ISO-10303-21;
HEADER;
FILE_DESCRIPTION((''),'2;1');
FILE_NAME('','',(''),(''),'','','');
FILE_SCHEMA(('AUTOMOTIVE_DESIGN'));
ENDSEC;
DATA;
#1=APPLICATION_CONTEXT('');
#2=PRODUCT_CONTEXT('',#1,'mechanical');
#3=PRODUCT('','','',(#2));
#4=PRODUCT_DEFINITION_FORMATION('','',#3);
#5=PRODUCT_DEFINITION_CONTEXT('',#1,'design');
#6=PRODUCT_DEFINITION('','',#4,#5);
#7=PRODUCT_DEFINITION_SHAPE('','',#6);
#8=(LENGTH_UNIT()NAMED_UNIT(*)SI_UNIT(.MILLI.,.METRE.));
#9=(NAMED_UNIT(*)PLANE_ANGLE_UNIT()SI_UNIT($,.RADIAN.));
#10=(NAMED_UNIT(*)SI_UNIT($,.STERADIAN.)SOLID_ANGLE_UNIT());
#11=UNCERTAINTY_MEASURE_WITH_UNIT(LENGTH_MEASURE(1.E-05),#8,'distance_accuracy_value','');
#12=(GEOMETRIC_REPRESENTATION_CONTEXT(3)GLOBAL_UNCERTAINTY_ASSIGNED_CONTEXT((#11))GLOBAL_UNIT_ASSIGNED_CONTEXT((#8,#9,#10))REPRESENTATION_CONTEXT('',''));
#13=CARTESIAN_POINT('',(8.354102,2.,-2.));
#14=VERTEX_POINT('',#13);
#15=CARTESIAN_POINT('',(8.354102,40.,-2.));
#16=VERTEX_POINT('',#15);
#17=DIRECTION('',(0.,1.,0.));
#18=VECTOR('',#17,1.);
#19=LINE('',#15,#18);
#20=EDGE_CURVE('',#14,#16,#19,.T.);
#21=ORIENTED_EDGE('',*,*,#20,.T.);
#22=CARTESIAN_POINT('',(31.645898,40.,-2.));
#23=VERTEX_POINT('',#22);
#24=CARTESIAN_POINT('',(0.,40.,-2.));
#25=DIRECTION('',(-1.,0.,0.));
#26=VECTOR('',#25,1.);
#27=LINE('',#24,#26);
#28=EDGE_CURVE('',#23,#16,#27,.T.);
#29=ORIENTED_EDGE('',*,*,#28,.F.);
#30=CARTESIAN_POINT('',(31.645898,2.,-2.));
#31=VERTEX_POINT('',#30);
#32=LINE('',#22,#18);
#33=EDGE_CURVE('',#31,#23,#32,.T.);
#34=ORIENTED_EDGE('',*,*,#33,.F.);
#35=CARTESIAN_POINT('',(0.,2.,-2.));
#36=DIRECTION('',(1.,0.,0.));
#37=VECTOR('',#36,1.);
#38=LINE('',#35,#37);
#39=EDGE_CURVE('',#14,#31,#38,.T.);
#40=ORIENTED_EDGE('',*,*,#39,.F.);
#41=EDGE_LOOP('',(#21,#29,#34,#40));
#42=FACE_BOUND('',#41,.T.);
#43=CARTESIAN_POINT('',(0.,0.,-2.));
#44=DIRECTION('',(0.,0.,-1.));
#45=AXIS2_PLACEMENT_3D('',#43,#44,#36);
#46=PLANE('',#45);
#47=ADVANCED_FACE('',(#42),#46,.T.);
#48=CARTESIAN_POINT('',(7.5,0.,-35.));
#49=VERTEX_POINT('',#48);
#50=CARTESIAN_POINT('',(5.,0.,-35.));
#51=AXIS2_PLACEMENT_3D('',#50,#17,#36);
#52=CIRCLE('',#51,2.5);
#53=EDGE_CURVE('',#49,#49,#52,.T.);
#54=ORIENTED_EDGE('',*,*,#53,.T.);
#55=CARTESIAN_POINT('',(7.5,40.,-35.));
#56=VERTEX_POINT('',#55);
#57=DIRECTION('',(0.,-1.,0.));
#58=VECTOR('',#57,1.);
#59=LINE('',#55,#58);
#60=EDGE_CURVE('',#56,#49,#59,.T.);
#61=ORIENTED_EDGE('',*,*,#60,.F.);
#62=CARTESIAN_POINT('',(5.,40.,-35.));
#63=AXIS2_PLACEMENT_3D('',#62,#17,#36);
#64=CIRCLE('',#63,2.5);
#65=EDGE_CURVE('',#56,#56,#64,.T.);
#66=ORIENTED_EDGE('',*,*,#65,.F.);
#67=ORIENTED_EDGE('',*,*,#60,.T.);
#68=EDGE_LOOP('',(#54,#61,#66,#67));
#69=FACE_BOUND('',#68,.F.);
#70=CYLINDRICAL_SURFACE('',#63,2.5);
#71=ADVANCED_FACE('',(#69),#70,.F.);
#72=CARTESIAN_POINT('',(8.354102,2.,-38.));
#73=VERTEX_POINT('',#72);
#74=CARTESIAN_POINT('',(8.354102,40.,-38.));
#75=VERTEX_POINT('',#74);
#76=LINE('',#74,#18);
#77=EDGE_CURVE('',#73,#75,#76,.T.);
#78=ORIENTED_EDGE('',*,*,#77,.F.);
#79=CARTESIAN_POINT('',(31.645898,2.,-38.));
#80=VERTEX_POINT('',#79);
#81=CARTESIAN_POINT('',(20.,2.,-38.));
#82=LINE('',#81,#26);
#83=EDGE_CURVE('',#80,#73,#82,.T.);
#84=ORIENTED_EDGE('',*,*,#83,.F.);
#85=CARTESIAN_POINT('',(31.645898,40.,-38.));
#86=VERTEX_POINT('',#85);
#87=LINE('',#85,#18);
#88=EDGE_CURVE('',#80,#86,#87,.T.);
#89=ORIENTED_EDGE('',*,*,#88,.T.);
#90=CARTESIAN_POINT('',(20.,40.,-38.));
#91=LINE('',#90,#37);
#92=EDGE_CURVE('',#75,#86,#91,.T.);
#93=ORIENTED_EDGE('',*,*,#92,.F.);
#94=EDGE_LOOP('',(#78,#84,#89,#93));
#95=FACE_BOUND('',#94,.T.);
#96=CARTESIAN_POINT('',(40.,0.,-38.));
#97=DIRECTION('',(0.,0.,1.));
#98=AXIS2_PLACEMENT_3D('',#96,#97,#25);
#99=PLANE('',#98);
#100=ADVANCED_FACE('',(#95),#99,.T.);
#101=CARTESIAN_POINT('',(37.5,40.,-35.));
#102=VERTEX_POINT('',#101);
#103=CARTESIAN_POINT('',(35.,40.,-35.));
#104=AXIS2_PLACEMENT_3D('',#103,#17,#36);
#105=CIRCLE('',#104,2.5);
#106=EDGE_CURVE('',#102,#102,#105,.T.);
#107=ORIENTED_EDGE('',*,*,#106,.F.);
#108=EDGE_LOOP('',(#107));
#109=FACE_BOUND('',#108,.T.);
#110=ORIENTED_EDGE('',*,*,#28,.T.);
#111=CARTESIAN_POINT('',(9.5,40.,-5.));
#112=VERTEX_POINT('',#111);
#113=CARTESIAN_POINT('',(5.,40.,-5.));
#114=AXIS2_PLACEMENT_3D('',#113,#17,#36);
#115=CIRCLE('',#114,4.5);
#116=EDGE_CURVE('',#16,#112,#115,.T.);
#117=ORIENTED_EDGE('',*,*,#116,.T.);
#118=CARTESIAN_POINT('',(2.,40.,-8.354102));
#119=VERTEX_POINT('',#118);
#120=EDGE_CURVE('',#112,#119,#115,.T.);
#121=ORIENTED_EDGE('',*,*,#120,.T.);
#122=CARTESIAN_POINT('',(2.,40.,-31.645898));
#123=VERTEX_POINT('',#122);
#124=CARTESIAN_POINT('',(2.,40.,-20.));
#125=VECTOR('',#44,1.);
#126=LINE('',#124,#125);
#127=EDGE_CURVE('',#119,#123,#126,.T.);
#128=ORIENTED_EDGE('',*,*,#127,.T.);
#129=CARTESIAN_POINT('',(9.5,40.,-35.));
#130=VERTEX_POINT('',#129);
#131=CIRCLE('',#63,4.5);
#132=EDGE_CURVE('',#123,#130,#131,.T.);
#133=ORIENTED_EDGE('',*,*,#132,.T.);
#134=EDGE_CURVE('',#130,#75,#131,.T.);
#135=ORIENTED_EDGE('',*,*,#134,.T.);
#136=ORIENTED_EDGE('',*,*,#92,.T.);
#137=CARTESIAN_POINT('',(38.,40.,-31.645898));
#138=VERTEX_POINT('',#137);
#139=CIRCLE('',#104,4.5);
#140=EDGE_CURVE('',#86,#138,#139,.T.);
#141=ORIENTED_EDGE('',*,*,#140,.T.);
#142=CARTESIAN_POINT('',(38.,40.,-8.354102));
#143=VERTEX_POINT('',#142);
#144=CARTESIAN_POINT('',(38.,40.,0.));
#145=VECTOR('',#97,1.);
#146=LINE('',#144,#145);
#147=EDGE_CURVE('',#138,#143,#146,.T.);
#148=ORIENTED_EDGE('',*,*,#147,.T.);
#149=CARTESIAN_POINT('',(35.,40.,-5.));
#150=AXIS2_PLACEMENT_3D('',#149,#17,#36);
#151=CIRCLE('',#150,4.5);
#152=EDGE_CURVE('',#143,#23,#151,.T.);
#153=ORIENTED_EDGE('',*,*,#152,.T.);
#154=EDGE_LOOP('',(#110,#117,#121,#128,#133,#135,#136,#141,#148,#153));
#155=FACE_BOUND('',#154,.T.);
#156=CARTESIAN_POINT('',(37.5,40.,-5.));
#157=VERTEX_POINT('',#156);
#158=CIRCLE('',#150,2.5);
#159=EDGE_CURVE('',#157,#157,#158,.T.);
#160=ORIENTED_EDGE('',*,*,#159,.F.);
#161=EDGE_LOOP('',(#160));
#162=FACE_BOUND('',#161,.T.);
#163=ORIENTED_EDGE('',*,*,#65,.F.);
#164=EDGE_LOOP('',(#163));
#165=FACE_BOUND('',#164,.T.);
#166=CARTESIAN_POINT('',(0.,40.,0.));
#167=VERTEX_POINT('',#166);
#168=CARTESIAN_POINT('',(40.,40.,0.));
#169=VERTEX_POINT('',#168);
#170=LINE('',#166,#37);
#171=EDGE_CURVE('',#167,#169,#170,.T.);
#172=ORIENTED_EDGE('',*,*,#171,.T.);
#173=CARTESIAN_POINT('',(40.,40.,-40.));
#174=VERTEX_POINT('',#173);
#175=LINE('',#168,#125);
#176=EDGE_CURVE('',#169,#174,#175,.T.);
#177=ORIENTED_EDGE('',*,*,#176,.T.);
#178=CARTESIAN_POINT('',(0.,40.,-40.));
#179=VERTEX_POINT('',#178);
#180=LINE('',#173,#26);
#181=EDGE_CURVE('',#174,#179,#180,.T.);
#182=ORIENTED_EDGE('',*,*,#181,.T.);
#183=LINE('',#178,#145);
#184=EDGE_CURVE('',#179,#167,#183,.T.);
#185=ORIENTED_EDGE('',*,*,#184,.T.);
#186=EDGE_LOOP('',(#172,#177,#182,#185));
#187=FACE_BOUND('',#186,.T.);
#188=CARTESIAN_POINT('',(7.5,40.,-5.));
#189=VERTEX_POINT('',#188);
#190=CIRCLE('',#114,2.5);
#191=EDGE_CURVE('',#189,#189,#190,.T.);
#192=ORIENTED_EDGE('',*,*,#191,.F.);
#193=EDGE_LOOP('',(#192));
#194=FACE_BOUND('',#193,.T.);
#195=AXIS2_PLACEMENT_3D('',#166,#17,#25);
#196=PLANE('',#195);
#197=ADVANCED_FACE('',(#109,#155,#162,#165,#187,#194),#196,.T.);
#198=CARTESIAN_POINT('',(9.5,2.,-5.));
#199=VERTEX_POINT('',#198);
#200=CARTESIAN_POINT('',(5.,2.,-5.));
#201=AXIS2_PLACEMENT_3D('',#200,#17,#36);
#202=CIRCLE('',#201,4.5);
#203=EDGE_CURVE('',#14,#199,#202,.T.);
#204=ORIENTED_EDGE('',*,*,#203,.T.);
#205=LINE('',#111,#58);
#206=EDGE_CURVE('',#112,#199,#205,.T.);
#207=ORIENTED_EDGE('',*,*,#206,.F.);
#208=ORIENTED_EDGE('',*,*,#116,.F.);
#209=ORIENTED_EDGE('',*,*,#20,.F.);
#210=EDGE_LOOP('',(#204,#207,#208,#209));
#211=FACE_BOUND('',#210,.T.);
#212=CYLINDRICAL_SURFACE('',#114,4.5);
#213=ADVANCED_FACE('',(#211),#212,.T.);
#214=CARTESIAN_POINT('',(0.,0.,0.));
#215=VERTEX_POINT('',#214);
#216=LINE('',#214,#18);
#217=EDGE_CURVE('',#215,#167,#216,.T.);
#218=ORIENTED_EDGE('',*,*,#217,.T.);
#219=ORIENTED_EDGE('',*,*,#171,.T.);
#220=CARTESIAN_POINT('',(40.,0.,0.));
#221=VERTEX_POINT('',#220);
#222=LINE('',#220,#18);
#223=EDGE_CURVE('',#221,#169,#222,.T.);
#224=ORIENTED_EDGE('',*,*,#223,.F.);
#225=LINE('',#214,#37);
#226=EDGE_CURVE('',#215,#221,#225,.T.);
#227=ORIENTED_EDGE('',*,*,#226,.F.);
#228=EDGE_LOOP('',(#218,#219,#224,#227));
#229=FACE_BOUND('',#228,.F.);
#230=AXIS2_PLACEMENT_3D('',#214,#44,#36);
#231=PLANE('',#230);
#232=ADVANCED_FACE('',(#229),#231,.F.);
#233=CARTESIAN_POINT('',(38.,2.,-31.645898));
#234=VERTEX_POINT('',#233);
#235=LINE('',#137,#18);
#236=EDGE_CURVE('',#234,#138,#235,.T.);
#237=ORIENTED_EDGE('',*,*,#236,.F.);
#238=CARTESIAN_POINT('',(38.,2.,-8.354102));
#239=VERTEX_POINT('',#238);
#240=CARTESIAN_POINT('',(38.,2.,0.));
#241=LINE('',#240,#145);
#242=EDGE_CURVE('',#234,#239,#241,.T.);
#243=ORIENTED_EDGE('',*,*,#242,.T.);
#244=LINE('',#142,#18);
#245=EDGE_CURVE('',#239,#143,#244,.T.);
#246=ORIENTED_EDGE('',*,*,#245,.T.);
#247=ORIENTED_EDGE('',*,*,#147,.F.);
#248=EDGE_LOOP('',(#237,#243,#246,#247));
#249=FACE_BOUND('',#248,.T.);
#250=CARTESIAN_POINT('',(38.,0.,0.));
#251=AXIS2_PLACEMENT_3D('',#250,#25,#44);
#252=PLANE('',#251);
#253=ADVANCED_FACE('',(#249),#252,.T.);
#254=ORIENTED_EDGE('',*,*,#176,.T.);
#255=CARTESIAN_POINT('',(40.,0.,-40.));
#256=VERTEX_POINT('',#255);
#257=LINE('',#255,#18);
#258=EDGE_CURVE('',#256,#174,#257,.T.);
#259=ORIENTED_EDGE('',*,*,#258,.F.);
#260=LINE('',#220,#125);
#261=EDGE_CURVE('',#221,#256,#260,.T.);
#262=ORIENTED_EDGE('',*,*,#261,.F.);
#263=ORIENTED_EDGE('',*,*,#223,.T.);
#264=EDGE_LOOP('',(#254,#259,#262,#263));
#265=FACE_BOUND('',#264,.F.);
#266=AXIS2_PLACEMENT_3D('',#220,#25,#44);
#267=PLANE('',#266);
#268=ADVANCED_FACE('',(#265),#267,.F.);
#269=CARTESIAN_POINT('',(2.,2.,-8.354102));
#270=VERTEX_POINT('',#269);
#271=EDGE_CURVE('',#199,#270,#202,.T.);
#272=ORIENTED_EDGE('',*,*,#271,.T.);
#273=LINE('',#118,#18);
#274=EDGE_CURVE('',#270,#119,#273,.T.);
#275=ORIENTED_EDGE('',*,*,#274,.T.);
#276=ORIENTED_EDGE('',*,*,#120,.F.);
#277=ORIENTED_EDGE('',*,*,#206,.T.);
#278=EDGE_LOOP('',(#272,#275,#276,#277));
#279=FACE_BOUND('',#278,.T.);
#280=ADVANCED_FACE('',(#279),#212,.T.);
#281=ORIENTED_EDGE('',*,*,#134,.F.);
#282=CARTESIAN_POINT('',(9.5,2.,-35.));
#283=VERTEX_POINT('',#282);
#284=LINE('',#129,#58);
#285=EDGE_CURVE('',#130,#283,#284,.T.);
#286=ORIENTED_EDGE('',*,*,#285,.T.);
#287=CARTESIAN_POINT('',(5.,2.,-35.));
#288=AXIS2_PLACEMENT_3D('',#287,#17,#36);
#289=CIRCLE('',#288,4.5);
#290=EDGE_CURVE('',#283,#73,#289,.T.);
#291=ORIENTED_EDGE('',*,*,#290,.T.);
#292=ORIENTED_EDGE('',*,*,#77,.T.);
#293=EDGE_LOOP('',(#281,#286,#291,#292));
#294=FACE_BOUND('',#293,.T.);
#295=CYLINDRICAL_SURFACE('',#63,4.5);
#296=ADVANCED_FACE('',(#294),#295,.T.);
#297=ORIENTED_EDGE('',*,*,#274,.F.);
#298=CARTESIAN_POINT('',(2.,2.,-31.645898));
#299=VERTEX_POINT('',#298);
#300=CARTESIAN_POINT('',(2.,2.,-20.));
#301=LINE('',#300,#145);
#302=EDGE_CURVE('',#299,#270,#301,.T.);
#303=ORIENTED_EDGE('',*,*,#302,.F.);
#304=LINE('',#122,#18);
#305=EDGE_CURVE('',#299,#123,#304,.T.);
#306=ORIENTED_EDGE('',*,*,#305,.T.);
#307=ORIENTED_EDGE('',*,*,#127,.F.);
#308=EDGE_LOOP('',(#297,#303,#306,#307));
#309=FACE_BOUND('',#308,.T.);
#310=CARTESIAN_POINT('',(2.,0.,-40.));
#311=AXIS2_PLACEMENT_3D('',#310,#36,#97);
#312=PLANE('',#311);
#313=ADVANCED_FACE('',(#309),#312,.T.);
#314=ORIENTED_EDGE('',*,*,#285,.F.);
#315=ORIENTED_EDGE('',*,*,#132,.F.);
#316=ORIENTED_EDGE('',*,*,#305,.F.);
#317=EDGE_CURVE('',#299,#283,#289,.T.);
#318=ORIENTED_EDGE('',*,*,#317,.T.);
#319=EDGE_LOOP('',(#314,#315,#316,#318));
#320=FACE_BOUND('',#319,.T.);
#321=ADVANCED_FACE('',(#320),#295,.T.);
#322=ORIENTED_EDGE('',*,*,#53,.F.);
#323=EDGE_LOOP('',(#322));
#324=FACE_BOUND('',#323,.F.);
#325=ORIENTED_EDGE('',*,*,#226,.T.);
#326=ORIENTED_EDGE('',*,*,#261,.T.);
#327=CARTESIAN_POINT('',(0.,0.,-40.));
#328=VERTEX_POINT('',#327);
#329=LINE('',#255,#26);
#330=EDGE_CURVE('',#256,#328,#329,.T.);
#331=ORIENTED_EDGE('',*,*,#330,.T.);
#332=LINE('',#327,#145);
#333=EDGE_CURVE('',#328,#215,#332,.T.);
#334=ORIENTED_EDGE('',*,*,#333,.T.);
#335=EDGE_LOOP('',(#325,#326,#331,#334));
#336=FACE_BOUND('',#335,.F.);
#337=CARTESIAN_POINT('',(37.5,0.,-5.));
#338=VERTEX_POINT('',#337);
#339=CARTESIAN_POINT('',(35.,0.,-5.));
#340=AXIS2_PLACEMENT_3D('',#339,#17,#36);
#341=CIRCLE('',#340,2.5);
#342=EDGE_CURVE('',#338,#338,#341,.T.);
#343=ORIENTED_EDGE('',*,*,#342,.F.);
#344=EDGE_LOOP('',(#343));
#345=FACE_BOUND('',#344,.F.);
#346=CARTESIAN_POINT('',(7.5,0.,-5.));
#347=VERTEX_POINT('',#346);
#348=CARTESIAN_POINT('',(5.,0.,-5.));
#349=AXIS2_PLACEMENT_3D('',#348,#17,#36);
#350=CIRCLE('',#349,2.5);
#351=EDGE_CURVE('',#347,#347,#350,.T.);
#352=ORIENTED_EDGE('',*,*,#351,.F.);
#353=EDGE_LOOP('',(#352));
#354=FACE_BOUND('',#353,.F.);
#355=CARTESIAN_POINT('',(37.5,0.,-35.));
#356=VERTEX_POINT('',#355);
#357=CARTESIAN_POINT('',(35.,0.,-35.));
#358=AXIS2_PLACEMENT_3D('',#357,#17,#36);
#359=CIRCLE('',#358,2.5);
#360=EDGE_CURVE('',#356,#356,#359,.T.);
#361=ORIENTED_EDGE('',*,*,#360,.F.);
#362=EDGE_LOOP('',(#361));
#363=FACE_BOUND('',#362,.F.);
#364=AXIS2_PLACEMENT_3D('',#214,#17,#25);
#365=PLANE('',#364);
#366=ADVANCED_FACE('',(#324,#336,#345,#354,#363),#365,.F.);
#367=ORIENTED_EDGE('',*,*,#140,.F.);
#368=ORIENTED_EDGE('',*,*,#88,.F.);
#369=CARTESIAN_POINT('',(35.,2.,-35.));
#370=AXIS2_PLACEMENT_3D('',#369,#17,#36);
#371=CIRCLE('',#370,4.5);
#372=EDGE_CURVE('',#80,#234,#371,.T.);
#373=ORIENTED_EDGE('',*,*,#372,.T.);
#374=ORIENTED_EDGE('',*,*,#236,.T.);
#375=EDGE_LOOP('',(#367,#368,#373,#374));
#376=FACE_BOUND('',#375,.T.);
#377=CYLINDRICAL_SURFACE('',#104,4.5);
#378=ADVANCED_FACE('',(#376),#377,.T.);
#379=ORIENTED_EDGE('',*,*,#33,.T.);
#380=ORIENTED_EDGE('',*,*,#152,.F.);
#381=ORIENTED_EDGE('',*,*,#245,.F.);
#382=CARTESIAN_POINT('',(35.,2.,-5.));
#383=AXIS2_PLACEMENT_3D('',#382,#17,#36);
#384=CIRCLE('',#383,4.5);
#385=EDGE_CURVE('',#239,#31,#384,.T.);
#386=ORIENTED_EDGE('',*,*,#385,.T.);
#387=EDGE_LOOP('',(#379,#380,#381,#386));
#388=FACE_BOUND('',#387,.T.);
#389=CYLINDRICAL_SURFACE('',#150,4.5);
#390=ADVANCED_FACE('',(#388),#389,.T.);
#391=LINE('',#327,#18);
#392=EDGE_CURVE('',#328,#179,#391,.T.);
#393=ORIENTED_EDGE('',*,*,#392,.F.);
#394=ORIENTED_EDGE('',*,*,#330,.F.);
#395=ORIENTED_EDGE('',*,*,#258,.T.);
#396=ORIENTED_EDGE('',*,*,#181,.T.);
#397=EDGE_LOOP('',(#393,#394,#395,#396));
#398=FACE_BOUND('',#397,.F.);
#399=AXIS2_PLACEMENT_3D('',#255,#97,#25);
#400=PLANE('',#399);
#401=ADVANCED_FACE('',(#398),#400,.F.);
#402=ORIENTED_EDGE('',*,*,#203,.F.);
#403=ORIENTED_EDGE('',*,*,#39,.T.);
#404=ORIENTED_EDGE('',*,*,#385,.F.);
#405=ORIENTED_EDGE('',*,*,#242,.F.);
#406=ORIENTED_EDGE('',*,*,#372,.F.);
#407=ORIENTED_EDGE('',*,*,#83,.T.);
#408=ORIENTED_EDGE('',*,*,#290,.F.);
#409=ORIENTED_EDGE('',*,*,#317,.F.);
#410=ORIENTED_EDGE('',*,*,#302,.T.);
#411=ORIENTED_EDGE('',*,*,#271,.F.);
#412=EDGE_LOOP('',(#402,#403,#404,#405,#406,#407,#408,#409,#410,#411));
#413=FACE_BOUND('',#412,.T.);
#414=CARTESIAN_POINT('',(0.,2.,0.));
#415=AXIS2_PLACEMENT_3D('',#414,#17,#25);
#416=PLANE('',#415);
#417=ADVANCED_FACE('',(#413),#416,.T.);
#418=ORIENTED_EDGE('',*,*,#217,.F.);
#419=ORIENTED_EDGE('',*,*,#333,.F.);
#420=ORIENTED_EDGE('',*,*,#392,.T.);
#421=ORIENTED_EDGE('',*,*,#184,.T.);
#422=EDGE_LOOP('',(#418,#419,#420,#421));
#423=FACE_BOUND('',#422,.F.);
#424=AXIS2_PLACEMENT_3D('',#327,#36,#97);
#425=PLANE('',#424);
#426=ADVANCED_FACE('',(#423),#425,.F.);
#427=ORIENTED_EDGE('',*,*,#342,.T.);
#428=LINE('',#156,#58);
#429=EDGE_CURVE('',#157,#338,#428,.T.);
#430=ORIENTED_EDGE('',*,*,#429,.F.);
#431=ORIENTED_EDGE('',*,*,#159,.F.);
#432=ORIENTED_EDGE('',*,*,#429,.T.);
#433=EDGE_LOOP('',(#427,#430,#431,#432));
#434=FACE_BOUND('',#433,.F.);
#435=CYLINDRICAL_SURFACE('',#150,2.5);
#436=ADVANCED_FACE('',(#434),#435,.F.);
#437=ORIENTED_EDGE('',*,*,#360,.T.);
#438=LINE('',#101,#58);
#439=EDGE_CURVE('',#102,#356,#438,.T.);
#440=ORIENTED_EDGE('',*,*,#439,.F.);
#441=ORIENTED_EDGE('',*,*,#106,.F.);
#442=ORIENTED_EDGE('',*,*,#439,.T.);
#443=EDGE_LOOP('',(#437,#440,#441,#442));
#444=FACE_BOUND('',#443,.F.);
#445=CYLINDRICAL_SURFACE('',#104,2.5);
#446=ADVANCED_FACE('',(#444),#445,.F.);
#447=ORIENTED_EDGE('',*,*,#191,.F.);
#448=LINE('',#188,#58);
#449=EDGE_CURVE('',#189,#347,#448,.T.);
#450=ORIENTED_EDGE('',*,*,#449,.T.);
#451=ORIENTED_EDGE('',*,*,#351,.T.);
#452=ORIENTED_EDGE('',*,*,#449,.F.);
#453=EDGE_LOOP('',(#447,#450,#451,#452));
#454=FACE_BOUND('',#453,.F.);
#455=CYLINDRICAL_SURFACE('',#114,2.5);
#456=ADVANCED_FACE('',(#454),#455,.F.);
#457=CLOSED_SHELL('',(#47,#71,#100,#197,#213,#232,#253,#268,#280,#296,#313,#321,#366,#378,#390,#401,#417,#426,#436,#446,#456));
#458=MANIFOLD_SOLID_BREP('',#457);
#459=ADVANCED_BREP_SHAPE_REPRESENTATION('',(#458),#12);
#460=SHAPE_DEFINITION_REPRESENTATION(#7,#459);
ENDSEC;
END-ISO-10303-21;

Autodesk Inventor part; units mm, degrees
ref_plane "YZ Plane" through (0, 0, 0) normal (1, 0, 0) x (0, 1, 0)
ref_plane "XZ Plane" through (0, 0, 0) normal (0, 1, 0) x (-1, 0, 0)
ref_plane "XY Plane" through (0, 0, 0) normal (0, 0, 1) x (1, 0, 0)
sketch "cube_profile" plane through (0, 0, 0) normal (0, 1, 0) x (-1, 0, 0)
  line L0 (0, 0) -> (-40, 0)
  line L1 (-40, 0) -> (-40, -40)
  line L2 (-40, -40) -> (0, -40)
  line L3 (0, -40) -> (0, 0)
  dimension "d2" = 40
  dimension "d4" = 40
extrude "Extrusion1" add sketch "cube_profile" along normal blind 40
sketch "Sketch2" plane through (0, 40, 0) normal (0, 1, 0) x (1, 0, 0)
  line L0 (40, 40) -> (0, 40) projected
  line L1 (0, 40) -> (0, 0) projected
  circle A0 centre (5, 35) radius 2.5
  circle A1 centre (35, 35) radius 2.5
  circle A2 centre (5, 5) radius 2.5
  circle A3 centre (35, 5) radius 2.5
  dimension "d8" = 5
  dimension "d9" = 5
  dimension "d10" = 5
  dimension "d13" = 30
  dimension "d16" = 30
extrude "Extrusion2" cut sketch "Sketch2" against normal blind 50.325
shell "Shell1" thickness 2 removed faces 1 at (24.3762, 40, -24.4474)
sketch "Sketch3" plane through (0, 0, 0) normal (0, 0, 1) x (1, 0, 0)
  point P0 (0, 0)
properties part number "INTRO_CUBE"
